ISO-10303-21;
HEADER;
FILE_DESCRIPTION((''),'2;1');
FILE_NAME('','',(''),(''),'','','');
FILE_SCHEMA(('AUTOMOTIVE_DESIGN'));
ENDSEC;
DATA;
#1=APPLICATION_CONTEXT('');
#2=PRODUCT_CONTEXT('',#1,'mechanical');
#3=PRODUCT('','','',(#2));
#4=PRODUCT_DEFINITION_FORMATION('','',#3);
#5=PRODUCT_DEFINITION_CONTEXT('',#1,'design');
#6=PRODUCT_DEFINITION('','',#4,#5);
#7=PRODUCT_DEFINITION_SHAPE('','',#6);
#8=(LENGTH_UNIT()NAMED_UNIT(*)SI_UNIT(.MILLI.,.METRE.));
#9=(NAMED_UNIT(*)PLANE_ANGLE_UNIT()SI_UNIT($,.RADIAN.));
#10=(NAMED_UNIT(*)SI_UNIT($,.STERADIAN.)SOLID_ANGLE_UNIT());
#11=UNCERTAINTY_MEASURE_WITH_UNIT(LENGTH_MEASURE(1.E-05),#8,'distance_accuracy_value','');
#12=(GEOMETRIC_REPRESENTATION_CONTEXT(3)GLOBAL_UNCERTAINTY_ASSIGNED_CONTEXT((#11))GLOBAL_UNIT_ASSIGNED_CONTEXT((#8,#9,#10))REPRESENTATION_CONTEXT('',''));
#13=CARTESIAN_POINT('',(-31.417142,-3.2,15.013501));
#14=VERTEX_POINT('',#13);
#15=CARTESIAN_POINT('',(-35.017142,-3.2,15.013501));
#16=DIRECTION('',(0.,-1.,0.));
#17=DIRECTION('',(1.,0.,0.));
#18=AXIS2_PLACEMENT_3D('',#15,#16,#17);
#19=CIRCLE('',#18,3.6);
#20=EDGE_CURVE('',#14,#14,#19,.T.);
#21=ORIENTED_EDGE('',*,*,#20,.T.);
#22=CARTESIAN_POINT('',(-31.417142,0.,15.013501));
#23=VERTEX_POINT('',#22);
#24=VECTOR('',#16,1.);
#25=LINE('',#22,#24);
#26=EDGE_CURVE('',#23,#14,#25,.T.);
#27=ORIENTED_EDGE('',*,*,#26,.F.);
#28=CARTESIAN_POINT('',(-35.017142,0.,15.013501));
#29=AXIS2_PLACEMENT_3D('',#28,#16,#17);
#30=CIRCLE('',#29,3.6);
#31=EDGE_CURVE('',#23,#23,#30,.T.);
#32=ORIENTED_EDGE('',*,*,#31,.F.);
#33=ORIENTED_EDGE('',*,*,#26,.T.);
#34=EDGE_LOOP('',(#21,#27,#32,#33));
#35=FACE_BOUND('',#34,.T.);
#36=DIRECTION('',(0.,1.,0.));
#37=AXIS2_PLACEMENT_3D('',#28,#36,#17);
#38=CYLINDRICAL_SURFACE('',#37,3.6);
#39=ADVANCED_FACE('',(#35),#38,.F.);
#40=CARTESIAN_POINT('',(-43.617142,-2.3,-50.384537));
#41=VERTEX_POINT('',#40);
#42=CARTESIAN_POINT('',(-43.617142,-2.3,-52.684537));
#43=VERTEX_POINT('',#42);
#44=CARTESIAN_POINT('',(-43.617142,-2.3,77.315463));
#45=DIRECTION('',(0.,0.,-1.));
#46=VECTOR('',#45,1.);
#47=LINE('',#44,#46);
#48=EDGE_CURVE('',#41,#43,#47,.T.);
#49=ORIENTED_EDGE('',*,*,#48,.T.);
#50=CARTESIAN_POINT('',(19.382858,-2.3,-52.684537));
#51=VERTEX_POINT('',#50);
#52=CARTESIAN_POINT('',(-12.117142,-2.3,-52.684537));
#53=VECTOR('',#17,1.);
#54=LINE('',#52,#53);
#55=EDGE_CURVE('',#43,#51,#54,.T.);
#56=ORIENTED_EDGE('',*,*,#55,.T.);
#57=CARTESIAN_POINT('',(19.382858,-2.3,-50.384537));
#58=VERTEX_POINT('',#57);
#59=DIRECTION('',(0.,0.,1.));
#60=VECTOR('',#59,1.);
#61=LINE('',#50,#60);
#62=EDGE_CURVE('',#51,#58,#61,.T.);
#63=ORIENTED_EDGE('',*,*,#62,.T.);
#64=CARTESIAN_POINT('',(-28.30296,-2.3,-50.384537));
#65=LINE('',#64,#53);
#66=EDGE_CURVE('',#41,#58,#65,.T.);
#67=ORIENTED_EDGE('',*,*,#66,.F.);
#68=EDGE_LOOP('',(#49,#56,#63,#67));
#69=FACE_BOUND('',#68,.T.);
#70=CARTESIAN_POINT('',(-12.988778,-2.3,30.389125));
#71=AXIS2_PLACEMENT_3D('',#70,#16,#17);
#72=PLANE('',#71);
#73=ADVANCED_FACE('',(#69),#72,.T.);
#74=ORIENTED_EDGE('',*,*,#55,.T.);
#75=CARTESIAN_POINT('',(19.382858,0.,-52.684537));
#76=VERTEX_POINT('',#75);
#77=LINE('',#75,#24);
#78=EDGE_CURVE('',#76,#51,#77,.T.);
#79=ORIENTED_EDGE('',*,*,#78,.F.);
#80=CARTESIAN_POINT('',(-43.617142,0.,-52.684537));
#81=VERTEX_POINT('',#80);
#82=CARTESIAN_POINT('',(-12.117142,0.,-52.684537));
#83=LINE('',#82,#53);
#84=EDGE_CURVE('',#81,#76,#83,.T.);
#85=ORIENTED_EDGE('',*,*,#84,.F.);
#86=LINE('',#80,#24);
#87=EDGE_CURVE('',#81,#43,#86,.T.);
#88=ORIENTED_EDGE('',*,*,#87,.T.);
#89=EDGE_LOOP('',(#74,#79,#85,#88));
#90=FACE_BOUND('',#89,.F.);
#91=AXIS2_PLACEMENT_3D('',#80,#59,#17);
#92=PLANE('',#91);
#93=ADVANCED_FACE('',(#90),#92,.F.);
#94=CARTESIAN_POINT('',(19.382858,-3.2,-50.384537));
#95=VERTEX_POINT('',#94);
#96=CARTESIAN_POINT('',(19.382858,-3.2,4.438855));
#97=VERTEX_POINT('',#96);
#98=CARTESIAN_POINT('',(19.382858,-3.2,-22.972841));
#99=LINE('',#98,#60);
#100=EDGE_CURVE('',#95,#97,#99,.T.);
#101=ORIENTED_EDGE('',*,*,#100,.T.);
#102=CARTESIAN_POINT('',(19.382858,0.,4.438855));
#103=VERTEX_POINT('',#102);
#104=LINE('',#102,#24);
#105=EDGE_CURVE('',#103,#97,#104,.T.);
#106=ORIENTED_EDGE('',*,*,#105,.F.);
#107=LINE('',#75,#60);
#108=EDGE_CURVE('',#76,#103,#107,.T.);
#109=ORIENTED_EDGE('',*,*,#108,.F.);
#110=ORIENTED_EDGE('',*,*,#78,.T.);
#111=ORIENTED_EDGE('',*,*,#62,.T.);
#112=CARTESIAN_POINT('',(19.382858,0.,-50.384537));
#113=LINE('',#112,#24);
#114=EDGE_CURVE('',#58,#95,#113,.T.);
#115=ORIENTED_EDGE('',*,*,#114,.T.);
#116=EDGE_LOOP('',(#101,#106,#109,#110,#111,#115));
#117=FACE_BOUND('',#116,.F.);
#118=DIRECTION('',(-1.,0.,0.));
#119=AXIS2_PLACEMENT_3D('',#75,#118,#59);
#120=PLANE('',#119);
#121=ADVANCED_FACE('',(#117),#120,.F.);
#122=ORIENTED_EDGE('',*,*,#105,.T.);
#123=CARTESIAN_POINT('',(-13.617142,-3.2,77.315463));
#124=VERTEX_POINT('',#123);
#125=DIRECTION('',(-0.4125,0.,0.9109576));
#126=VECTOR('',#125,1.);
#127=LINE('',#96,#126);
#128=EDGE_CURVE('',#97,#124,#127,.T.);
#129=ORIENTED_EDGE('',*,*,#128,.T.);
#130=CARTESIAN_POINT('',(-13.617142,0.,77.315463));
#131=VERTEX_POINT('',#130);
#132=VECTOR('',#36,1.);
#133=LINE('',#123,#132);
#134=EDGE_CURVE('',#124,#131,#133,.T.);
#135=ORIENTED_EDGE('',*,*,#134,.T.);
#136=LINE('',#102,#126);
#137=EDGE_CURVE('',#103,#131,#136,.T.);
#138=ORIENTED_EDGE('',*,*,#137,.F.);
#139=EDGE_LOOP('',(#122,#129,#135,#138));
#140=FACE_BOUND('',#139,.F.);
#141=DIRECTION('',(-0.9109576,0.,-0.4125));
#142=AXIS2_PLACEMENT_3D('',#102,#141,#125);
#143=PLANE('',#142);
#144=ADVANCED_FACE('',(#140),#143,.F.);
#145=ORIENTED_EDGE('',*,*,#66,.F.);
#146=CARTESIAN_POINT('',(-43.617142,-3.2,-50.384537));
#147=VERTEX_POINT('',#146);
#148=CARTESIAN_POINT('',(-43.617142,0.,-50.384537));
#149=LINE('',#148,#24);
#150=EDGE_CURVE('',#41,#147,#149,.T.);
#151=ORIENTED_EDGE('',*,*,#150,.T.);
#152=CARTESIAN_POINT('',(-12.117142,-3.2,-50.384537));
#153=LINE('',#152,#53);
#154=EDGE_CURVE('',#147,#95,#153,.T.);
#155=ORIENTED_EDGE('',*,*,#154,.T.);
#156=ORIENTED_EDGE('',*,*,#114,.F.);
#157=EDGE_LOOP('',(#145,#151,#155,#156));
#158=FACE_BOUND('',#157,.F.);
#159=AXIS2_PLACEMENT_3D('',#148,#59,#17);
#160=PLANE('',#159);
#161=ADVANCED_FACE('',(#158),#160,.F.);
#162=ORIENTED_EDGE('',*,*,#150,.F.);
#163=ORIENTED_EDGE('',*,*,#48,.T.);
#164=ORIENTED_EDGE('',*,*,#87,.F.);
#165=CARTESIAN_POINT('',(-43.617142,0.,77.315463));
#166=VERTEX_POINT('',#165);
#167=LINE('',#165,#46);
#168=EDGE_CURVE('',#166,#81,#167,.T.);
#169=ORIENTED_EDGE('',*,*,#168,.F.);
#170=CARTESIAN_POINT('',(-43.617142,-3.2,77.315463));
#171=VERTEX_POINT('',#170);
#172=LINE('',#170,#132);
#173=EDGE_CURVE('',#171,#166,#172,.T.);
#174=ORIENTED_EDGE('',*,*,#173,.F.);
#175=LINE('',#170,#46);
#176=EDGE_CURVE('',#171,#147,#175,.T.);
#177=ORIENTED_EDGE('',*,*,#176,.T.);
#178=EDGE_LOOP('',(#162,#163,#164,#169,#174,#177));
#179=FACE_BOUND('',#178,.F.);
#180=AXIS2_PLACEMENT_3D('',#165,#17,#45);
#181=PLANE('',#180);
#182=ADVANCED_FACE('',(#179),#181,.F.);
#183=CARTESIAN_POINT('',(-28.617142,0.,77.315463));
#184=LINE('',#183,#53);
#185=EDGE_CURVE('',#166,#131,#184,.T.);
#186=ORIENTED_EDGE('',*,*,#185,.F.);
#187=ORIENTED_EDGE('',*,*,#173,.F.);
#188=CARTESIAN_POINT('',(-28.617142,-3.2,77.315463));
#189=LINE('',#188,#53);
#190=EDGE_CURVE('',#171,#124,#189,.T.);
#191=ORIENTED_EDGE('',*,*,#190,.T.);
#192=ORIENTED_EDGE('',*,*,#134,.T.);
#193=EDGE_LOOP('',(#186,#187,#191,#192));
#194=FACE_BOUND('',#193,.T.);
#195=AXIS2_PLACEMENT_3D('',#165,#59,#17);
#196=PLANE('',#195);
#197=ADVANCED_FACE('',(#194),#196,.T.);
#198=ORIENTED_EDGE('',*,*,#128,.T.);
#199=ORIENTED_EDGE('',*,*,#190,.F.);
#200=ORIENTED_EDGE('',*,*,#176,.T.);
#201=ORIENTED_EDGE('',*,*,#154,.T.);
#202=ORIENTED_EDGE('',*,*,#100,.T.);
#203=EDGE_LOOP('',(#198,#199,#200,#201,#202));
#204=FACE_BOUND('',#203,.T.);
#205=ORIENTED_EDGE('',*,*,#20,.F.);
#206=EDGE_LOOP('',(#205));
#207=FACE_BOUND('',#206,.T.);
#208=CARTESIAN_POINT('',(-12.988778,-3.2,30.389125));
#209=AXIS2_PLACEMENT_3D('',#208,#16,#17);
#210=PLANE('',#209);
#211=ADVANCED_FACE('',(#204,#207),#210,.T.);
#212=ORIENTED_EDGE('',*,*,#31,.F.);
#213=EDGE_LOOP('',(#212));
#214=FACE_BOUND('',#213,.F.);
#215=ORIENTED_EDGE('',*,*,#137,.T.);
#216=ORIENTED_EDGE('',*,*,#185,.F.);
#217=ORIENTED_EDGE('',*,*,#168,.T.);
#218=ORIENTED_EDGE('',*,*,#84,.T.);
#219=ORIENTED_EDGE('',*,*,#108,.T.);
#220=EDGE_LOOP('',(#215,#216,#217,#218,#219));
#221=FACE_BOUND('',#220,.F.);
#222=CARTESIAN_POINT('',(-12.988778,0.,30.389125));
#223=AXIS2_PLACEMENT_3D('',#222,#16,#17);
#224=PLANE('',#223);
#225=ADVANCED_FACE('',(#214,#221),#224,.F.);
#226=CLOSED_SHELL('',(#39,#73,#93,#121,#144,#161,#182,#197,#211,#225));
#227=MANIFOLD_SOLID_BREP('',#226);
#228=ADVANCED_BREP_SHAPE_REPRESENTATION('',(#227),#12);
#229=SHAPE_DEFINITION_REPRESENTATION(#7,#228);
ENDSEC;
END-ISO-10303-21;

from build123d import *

# Parameters (mm, degrees)
F0_R     = 3.6
F0_W     = 30
F0_H     = 45.876608
F0_W_2   = 63
F0_H_2   = 54.823392
F1_DEPTH = 3.2
F0_H_3   = 2.3
F2_DEPTH = 2.3


with BuildPart() as f1:
    # F0 (on Front) → F1 (new body)
    with BuildSketch(Plane.XZ):
        Polygon((-43.617142, 31.438855), (-43.617142, 4.438855), (19.382858, 4.438855), (-13.617142, 77.315463), (-13.617142, 31.438855), align=None)
        with Locations((-35.017142, 15.013501)):
            Circle(F0_R, mode=Mode.SUBTRACT)
        with Locations((-28.617142, 54.377159)):
            Rectangle(F0_W, F0_H)
        with Locations((-12.117142, -22.972841)):
            Rectangle(F0_W_2, F0_H_2)
    extrude(amount=F1_DEPTH)

    # F0 (on Front) → F2 (join)
    with BuildSketch(Plane.XZ):
        Polygon((-43.617142, 31.438855), (-43.617142, 4.438855), (19.382858, 4.438855), (-13.617142, 77.315463), (-13.617142, 31.438855), align=None)
        with Locations((-35.017142, 15.013501)):
            Circle(F0_R, mode=Mode.SUBTRACT)
        with Locations((-12.117142, -22.972841)):
            Rectangle(F0_W_2, F0_H_2)
        with Locations((-12.117142, -51.534537)):
            Rectangle(F0_W_2, F0_H_3)
        with Locations((-28.617142, 54.377159)):
            Rectangle(F0_W, F0_H)
    extrude(amount=F2_DEPTH)


solid = f1.part
